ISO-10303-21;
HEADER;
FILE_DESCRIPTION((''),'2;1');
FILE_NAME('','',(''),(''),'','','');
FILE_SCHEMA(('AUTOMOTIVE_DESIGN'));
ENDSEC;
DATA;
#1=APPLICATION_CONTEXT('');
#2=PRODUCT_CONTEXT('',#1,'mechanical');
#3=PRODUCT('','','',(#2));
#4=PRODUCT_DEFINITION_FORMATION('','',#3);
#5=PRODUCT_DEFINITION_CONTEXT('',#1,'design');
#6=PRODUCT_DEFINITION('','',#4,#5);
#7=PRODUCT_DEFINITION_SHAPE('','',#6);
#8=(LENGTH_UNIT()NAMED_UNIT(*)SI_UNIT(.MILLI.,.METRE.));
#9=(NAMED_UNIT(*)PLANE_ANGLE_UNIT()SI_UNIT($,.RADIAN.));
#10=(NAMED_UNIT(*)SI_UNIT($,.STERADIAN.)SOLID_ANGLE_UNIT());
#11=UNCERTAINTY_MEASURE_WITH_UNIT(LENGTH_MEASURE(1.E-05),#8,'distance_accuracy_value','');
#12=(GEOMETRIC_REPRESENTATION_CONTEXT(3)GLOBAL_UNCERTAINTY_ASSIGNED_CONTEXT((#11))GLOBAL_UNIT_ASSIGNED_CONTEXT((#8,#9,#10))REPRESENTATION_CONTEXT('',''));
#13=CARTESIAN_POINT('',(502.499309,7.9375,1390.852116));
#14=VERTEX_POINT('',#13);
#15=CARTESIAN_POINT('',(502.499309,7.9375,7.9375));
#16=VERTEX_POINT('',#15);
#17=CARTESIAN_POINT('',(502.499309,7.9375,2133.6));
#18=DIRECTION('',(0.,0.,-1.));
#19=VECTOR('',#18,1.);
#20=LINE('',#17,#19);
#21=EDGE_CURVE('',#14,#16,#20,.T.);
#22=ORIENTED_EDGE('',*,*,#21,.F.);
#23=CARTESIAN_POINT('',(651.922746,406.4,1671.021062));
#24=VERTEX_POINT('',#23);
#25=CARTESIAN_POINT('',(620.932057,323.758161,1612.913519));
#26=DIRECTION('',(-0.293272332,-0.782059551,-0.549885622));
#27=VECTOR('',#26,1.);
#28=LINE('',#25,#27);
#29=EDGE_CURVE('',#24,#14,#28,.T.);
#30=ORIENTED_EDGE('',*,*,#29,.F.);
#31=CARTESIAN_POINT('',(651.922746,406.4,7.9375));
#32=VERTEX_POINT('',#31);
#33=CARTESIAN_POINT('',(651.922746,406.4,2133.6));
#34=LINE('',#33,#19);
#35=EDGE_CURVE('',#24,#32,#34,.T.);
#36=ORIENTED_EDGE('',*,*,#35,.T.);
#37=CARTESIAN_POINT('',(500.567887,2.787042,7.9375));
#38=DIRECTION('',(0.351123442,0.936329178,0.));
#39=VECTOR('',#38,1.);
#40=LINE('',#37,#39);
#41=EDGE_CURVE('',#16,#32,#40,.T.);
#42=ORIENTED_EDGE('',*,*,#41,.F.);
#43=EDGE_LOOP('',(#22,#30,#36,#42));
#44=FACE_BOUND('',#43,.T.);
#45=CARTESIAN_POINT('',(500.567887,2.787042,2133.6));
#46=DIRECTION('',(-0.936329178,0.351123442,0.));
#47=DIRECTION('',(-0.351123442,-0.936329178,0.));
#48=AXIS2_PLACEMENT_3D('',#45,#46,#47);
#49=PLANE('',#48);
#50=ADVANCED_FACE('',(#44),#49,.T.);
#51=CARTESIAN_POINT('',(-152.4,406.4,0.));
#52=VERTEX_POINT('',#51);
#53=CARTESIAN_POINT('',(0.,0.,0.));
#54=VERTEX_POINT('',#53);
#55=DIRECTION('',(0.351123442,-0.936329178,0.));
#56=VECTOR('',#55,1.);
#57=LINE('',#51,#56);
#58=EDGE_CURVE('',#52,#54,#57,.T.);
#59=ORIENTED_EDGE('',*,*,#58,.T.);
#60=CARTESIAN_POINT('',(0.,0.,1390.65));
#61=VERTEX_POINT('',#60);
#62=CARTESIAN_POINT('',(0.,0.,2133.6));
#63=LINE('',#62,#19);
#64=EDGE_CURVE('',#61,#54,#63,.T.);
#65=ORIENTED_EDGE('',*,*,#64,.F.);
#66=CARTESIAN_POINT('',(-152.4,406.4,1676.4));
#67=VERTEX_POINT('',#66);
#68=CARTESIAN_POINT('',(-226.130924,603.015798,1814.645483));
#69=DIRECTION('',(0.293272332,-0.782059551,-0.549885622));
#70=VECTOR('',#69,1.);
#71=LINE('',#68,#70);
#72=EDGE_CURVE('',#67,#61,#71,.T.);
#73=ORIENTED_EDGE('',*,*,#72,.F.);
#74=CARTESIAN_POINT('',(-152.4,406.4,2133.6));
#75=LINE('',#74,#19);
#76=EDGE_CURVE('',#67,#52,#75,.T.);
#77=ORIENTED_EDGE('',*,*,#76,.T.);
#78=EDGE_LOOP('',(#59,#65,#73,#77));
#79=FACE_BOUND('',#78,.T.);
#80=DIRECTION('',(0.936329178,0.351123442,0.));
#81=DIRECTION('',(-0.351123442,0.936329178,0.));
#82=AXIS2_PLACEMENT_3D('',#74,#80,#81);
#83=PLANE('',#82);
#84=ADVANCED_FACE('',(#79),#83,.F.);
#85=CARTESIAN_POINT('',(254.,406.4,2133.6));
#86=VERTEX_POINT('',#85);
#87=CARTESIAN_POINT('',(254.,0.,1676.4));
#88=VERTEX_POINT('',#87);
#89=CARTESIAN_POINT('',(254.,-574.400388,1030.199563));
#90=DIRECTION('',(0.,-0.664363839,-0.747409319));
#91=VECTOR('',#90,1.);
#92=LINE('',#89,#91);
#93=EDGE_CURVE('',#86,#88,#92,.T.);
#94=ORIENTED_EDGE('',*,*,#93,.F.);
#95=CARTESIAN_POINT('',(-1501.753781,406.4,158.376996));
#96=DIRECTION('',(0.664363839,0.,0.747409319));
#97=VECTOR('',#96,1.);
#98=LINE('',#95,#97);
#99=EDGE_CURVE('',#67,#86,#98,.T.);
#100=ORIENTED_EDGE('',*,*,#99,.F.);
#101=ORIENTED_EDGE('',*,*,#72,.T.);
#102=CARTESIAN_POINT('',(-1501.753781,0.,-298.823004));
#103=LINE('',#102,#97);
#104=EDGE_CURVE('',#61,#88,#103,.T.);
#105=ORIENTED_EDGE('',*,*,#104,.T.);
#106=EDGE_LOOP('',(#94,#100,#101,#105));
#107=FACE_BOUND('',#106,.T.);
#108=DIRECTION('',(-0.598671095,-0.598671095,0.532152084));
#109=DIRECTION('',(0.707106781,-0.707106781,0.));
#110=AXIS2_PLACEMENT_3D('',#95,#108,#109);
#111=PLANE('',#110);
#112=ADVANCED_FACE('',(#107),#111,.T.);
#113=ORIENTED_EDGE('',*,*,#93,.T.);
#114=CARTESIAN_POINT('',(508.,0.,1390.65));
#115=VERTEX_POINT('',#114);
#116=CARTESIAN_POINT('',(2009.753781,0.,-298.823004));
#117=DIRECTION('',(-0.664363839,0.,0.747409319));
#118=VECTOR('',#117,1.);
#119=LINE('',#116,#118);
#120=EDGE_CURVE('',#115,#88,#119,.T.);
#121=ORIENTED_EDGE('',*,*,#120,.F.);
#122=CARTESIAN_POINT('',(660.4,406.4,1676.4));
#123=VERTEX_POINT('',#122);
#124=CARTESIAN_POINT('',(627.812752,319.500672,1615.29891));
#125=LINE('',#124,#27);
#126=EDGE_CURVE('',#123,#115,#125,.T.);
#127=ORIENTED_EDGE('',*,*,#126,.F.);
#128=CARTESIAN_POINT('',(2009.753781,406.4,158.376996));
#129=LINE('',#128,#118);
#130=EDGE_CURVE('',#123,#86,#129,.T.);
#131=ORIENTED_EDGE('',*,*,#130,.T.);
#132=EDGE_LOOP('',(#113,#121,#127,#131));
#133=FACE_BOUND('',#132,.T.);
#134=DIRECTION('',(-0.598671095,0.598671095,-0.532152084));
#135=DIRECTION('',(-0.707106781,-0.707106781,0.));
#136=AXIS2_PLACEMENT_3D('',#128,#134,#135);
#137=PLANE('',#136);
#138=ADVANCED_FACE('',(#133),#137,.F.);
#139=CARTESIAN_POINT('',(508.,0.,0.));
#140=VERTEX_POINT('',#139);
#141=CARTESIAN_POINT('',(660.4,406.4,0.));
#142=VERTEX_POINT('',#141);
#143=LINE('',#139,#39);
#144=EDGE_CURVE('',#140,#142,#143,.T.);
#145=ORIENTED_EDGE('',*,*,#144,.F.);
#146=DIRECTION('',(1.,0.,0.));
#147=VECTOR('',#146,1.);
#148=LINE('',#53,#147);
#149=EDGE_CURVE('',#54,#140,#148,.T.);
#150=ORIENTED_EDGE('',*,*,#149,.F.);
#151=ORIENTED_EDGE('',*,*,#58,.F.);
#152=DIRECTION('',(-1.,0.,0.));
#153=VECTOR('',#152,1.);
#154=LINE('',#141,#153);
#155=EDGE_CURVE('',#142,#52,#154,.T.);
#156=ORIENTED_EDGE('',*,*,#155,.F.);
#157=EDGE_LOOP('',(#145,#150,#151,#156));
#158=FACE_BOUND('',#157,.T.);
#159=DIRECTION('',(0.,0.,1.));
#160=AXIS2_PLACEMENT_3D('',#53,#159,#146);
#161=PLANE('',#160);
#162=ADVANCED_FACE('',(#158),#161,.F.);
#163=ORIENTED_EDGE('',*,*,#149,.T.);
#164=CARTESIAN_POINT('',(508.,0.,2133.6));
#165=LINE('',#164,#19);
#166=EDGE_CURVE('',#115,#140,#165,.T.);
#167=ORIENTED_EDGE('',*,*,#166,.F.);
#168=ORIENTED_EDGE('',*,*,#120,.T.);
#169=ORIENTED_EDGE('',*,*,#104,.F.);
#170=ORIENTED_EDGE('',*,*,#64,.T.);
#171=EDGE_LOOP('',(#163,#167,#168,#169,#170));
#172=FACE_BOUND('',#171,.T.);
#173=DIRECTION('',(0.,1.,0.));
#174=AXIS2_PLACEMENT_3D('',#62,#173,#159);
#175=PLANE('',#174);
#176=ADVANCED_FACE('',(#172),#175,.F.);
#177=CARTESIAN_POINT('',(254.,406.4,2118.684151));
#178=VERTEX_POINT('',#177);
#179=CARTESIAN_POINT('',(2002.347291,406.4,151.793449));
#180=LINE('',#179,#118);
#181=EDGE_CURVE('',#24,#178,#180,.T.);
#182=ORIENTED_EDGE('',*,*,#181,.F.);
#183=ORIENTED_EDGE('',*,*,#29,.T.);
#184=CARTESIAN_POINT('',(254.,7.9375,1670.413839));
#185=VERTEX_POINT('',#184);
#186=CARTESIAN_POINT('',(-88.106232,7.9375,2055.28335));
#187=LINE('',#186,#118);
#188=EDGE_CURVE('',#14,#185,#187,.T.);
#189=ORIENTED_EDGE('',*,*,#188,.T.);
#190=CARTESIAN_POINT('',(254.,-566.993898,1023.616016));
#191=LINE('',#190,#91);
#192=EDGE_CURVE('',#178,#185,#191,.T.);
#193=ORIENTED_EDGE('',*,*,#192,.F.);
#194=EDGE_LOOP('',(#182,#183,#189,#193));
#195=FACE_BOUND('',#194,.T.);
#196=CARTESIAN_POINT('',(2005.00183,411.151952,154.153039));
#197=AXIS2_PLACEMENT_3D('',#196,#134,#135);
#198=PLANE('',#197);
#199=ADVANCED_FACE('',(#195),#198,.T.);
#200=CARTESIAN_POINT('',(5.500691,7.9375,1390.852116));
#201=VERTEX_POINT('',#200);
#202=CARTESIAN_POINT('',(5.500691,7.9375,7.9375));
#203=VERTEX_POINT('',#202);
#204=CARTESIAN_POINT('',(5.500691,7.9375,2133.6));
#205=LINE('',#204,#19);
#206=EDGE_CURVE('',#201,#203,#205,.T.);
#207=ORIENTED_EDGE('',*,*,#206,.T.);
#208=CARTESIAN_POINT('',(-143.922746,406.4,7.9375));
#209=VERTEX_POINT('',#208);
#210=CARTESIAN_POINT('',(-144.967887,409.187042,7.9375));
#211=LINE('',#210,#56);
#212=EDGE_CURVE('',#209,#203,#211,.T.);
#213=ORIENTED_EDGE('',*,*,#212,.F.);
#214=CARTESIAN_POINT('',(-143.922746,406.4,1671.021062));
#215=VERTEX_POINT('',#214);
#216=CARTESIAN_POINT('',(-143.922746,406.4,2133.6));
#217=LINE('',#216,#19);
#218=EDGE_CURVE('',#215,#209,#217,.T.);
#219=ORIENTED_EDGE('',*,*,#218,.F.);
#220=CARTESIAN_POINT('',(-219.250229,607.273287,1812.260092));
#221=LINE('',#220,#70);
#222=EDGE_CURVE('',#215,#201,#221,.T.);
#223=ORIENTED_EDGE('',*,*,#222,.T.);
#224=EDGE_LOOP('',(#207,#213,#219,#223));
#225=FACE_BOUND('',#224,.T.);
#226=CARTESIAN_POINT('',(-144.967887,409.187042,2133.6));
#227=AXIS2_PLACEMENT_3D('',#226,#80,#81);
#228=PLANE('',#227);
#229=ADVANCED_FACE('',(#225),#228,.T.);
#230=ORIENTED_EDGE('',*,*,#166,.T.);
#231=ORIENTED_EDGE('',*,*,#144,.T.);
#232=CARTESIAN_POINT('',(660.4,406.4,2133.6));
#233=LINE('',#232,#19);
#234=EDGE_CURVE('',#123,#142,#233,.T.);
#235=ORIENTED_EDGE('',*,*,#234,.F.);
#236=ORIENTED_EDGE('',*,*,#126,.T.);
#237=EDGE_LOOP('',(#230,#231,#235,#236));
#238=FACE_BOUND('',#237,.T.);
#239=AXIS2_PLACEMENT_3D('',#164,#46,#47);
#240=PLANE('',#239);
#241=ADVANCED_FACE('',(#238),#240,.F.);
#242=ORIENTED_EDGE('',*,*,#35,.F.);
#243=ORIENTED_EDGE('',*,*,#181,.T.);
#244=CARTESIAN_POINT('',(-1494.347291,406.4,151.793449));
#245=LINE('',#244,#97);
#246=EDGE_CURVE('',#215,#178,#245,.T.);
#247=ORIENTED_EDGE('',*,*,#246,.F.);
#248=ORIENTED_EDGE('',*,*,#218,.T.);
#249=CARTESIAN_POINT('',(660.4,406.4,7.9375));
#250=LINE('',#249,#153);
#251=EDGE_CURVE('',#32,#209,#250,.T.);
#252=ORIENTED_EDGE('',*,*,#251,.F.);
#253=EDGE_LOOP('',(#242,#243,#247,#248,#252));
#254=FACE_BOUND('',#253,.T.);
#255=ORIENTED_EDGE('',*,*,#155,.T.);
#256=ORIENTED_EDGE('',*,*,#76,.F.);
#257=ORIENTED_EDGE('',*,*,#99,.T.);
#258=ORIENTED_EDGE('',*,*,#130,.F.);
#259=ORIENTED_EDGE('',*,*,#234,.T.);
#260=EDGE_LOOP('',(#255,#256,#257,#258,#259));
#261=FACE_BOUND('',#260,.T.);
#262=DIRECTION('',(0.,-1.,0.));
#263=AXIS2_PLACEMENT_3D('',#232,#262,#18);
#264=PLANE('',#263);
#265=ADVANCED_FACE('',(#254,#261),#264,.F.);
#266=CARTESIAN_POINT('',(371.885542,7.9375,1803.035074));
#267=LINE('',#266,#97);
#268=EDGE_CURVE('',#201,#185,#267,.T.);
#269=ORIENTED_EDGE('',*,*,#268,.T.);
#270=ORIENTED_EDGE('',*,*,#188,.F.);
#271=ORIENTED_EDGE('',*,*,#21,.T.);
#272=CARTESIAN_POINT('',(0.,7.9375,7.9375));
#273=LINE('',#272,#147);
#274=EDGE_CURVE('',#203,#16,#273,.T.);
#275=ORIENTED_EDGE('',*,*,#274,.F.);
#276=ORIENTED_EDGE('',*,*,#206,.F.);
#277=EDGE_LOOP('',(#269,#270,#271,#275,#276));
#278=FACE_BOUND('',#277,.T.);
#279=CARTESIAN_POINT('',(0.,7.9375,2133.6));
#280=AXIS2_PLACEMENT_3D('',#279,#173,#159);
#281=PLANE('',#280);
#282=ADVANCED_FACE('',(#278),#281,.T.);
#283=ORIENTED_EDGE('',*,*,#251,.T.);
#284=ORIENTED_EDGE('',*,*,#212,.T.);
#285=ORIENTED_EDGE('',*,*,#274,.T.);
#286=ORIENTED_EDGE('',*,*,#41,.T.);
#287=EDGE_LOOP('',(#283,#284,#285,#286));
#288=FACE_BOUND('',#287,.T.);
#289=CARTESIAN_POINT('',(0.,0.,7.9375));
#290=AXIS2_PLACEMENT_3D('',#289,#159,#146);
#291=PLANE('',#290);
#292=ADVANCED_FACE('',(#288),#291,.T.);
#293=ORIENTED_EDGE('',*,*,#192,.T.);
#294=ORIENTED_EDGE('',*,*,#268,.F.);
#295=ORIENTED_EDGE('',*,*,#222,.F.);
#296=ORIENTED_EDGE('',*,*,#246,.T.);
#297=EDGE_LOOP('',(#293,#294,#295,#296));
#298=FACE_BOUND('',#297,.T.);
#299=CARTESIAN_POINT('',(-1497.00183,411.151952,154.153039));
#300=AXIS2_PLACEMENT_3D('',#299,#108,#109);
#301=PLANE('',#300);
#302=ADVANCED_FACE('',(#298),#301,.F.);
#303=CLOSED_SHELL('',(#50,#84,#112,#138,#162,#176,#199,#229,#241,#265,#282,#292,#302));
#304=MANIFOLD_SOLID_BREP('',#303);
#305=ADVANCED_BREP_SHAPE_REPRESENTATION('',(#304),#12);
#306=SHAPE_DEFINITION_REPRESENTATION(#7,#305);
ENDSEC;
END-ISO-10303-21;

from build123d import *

# Parameters (mm, degrees)
BOSS_EXTRUDE1_DEPTH = 2133.6
CUT_EXTRUDE2_DEPTH  = 613.218203925
SHELL1_T            = -7.9375


with BuildPart() as part:
    # Sketch1 → Boss-Extrude1 (new body)
    with BuildSketch(Plane.XY):
        Polygon((0, 0), (508, 0), (660.4, 406.4), (-152.4, 406.4), align=None)
    extrude(amount=BOSS_EXTRUDE1_DEPTH)

    # Sketch13 → Cut-Extrude2 (cut, symmetric, along a direction that is not the sketch's normal)
    with BuildSketch(Plane(origin=(254, 0, 0), x_dir=(0, 0, -1), z_dir=(1, 0, 0))):
        Polygon((-2133.6, 0), (-3174.648587482, 0), (-3174.648587482, 406.4), (-2133.6, 406.4), (-1676.4, 0), align=None)
    cut_extrude2 = extrude(amount=CUT_EXTRUDE2_DEPTH, dir=(0.664363839, 0, 0.747409319), both=True, mode=Mode.SUBTRACT)

    # Mirror1: Cut-Extrude2 across plane
    add(cut_extrude2.mirror(Plane(origin=(254, 0, 0), x_dir=(0, 0, 1), z_dir=(1, 0, 0))), mode=Mode.SUBTRACT)

    # Shell1
    shell1_openings = [part.faces().sort_by_distance(p)[0] for p in [
        (254, 406.4, 1097.28),
    ]]
    offset(amount=SHELL1_T, openings=shell1_openings, kind=Kind.INTERSECTION)


solid = part.part
